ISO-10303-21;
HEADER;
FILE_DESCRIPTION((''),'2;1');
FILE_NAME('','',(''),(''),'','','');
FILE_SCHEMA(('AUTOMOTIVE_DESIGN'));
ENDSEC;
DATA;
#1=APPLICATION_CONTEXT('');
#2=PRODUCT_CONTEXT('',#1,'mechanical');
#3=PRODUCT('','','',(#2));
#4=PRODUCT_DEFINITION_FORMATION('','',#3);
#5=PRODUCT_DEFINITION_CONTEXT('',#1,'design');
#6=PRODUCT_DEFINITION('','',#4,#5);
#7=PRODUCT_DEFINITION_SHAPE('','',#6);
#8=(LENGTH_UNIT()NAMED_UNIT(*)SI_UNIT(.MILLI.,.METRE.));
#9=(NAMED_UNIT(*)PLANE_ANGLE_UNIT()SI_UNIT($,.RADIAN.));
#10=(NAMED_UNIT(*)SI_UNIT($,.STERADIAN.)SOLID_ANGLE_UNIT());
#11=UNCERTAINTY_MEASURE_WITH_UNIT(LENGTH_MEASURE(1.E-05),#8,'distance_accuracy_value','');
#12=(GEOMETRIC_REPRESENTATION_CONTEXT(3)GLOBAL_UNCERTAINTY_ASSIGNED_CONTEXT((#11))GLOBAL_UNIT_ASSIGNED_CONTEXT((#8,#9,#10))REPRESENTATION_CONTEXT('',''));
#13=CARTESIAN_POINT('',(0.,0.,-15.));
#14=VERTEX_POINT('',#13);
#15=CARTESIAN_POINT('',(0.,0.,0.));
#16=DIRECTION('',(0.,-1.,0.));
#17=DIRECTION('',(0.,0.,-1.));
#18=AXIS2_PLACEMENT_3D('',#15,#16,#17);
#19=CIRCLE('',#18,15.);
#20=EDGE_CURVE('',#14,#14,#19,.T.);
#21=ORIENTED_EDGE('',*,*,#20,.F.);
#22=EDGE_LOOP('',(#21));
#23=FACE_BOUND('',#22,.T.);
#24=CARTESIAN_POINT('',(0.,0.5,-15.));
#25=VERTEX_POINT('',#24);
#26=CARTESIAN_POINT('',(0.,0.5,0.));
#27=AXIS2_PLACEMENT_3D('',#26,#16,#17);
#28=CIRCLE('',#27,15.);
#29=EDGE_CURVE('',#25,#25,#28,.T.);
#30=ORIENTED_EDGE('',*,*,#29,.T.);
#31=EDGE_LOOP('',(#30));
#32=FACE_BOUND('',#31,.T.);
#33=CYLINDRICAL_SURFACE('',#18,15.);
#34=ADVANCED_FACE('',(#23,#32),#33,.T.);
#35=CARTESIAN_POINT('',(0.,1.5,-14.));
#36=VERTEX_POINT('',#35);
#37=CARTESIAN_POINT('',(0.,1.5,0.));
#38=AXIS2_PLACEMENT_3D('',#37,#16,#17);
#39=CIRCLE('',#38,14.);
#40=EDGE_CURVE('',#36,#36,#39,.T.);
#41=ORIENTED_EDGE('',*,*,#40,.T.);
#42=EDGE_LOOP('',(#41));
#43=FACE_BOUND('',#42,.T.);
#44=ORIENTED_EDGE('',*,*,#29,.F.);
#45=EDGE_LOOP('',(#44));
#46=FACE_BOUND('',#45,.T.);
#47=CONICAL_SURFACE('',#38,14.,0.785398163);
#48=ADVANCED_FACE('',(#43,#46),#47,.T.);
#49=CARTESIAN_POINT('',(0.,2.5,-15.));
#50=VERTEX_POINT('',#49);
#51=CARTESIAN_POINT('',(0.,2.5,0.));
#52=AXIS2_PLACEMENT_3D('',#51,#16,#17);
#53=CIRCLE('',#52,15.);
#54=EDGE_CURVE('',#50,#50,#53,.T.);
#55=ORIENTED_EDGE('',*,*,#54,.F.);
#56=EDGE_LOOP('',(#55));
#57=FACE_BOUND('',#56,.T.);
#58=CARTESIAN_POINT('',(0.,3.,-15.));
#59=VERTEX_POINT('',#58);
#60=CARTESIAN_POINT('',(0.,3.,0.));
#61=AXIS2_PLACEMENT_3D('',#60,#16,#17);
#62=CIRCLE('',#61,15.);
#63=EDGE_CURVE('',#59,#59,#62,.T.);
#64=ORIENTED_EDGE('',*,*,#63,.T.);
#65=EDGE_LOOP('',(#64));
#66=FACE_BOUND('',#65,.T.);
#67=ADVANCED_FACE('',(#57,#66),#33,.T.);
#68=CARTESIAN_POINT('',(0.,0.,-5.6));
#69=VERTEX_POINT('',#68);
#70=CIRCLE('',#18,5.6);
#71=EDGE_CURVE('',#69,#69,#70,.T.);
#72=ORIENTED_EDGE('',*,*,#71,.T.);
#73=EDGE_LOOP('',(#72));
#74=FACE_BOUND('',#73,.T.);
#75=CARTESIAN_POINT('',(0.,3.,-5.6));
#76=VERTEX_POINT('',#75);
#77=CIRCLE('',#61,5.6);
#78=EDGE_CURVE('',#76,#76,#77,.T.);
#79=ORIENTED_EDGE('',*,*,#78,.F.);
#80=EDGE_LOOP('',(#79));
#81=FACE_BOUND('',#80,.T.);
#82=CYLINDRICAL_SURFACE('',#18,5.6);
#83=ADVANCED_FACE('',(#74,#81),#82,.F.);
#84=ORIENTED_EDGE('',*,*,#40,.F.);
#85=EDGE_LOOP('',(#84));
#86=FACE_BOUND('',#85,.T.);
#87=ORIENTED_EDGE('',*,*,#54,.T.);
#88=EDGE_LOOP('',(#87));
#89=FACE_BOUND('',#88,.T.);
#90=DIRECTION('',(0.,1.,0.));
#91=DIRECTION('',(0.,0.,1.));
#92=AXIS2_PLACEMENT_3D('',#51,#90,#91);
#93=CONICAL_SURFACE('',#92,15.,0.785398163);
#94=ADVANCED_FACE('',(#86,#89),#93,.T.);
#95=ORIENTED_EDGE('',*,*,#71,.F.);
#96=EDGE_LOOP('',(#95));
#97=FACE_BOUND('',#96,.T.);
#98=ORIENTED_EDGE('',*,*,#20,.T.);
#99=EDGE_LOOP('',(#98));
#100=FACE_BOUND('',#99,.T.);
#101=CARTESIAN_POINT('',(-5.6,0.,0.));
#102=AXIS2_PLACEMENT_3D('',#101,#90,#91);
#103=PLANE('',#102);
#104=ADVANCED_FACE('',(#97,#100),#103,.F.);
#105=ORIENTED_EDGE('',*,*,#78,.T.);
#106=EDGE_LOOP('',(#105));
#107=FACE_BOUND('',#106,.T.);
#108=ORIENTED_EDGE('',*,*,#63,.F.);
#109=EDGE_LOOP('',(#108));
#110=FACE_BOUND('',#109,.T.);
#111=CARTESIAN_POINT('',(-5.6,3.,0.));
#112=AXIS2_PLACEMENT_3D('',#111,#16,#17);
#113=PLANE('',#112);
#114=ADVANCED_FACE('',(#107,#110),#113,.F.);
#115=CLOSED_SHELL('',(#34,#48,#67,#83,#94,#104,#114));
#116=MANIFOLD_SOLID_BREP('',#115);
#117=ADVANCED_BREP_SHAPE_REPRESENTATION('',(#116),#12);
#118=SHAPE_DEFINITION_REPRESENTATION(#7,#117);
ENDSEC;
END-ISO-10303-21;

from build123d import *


with BuildPart() as part:
    # Sketch1 → Revolve1 (revolve)
    with BuildSketch(Plane.XY, mode=Mode.PRIVATE) as revolve1_sk:
        Polygon((-5.6, 0), (-5.6, 3), (-15, 3), (-15, 2.5), (-14, 1.5), (-15, 0.5), (-15, 0), align=None)
    revolve(revolve1_sk.sketch.rotate(Axis((0, 0, 0), (0, 1, 0)), 270), axis=Axis((0, 0, 0), (0, 1, 0)))


solid = part.part
